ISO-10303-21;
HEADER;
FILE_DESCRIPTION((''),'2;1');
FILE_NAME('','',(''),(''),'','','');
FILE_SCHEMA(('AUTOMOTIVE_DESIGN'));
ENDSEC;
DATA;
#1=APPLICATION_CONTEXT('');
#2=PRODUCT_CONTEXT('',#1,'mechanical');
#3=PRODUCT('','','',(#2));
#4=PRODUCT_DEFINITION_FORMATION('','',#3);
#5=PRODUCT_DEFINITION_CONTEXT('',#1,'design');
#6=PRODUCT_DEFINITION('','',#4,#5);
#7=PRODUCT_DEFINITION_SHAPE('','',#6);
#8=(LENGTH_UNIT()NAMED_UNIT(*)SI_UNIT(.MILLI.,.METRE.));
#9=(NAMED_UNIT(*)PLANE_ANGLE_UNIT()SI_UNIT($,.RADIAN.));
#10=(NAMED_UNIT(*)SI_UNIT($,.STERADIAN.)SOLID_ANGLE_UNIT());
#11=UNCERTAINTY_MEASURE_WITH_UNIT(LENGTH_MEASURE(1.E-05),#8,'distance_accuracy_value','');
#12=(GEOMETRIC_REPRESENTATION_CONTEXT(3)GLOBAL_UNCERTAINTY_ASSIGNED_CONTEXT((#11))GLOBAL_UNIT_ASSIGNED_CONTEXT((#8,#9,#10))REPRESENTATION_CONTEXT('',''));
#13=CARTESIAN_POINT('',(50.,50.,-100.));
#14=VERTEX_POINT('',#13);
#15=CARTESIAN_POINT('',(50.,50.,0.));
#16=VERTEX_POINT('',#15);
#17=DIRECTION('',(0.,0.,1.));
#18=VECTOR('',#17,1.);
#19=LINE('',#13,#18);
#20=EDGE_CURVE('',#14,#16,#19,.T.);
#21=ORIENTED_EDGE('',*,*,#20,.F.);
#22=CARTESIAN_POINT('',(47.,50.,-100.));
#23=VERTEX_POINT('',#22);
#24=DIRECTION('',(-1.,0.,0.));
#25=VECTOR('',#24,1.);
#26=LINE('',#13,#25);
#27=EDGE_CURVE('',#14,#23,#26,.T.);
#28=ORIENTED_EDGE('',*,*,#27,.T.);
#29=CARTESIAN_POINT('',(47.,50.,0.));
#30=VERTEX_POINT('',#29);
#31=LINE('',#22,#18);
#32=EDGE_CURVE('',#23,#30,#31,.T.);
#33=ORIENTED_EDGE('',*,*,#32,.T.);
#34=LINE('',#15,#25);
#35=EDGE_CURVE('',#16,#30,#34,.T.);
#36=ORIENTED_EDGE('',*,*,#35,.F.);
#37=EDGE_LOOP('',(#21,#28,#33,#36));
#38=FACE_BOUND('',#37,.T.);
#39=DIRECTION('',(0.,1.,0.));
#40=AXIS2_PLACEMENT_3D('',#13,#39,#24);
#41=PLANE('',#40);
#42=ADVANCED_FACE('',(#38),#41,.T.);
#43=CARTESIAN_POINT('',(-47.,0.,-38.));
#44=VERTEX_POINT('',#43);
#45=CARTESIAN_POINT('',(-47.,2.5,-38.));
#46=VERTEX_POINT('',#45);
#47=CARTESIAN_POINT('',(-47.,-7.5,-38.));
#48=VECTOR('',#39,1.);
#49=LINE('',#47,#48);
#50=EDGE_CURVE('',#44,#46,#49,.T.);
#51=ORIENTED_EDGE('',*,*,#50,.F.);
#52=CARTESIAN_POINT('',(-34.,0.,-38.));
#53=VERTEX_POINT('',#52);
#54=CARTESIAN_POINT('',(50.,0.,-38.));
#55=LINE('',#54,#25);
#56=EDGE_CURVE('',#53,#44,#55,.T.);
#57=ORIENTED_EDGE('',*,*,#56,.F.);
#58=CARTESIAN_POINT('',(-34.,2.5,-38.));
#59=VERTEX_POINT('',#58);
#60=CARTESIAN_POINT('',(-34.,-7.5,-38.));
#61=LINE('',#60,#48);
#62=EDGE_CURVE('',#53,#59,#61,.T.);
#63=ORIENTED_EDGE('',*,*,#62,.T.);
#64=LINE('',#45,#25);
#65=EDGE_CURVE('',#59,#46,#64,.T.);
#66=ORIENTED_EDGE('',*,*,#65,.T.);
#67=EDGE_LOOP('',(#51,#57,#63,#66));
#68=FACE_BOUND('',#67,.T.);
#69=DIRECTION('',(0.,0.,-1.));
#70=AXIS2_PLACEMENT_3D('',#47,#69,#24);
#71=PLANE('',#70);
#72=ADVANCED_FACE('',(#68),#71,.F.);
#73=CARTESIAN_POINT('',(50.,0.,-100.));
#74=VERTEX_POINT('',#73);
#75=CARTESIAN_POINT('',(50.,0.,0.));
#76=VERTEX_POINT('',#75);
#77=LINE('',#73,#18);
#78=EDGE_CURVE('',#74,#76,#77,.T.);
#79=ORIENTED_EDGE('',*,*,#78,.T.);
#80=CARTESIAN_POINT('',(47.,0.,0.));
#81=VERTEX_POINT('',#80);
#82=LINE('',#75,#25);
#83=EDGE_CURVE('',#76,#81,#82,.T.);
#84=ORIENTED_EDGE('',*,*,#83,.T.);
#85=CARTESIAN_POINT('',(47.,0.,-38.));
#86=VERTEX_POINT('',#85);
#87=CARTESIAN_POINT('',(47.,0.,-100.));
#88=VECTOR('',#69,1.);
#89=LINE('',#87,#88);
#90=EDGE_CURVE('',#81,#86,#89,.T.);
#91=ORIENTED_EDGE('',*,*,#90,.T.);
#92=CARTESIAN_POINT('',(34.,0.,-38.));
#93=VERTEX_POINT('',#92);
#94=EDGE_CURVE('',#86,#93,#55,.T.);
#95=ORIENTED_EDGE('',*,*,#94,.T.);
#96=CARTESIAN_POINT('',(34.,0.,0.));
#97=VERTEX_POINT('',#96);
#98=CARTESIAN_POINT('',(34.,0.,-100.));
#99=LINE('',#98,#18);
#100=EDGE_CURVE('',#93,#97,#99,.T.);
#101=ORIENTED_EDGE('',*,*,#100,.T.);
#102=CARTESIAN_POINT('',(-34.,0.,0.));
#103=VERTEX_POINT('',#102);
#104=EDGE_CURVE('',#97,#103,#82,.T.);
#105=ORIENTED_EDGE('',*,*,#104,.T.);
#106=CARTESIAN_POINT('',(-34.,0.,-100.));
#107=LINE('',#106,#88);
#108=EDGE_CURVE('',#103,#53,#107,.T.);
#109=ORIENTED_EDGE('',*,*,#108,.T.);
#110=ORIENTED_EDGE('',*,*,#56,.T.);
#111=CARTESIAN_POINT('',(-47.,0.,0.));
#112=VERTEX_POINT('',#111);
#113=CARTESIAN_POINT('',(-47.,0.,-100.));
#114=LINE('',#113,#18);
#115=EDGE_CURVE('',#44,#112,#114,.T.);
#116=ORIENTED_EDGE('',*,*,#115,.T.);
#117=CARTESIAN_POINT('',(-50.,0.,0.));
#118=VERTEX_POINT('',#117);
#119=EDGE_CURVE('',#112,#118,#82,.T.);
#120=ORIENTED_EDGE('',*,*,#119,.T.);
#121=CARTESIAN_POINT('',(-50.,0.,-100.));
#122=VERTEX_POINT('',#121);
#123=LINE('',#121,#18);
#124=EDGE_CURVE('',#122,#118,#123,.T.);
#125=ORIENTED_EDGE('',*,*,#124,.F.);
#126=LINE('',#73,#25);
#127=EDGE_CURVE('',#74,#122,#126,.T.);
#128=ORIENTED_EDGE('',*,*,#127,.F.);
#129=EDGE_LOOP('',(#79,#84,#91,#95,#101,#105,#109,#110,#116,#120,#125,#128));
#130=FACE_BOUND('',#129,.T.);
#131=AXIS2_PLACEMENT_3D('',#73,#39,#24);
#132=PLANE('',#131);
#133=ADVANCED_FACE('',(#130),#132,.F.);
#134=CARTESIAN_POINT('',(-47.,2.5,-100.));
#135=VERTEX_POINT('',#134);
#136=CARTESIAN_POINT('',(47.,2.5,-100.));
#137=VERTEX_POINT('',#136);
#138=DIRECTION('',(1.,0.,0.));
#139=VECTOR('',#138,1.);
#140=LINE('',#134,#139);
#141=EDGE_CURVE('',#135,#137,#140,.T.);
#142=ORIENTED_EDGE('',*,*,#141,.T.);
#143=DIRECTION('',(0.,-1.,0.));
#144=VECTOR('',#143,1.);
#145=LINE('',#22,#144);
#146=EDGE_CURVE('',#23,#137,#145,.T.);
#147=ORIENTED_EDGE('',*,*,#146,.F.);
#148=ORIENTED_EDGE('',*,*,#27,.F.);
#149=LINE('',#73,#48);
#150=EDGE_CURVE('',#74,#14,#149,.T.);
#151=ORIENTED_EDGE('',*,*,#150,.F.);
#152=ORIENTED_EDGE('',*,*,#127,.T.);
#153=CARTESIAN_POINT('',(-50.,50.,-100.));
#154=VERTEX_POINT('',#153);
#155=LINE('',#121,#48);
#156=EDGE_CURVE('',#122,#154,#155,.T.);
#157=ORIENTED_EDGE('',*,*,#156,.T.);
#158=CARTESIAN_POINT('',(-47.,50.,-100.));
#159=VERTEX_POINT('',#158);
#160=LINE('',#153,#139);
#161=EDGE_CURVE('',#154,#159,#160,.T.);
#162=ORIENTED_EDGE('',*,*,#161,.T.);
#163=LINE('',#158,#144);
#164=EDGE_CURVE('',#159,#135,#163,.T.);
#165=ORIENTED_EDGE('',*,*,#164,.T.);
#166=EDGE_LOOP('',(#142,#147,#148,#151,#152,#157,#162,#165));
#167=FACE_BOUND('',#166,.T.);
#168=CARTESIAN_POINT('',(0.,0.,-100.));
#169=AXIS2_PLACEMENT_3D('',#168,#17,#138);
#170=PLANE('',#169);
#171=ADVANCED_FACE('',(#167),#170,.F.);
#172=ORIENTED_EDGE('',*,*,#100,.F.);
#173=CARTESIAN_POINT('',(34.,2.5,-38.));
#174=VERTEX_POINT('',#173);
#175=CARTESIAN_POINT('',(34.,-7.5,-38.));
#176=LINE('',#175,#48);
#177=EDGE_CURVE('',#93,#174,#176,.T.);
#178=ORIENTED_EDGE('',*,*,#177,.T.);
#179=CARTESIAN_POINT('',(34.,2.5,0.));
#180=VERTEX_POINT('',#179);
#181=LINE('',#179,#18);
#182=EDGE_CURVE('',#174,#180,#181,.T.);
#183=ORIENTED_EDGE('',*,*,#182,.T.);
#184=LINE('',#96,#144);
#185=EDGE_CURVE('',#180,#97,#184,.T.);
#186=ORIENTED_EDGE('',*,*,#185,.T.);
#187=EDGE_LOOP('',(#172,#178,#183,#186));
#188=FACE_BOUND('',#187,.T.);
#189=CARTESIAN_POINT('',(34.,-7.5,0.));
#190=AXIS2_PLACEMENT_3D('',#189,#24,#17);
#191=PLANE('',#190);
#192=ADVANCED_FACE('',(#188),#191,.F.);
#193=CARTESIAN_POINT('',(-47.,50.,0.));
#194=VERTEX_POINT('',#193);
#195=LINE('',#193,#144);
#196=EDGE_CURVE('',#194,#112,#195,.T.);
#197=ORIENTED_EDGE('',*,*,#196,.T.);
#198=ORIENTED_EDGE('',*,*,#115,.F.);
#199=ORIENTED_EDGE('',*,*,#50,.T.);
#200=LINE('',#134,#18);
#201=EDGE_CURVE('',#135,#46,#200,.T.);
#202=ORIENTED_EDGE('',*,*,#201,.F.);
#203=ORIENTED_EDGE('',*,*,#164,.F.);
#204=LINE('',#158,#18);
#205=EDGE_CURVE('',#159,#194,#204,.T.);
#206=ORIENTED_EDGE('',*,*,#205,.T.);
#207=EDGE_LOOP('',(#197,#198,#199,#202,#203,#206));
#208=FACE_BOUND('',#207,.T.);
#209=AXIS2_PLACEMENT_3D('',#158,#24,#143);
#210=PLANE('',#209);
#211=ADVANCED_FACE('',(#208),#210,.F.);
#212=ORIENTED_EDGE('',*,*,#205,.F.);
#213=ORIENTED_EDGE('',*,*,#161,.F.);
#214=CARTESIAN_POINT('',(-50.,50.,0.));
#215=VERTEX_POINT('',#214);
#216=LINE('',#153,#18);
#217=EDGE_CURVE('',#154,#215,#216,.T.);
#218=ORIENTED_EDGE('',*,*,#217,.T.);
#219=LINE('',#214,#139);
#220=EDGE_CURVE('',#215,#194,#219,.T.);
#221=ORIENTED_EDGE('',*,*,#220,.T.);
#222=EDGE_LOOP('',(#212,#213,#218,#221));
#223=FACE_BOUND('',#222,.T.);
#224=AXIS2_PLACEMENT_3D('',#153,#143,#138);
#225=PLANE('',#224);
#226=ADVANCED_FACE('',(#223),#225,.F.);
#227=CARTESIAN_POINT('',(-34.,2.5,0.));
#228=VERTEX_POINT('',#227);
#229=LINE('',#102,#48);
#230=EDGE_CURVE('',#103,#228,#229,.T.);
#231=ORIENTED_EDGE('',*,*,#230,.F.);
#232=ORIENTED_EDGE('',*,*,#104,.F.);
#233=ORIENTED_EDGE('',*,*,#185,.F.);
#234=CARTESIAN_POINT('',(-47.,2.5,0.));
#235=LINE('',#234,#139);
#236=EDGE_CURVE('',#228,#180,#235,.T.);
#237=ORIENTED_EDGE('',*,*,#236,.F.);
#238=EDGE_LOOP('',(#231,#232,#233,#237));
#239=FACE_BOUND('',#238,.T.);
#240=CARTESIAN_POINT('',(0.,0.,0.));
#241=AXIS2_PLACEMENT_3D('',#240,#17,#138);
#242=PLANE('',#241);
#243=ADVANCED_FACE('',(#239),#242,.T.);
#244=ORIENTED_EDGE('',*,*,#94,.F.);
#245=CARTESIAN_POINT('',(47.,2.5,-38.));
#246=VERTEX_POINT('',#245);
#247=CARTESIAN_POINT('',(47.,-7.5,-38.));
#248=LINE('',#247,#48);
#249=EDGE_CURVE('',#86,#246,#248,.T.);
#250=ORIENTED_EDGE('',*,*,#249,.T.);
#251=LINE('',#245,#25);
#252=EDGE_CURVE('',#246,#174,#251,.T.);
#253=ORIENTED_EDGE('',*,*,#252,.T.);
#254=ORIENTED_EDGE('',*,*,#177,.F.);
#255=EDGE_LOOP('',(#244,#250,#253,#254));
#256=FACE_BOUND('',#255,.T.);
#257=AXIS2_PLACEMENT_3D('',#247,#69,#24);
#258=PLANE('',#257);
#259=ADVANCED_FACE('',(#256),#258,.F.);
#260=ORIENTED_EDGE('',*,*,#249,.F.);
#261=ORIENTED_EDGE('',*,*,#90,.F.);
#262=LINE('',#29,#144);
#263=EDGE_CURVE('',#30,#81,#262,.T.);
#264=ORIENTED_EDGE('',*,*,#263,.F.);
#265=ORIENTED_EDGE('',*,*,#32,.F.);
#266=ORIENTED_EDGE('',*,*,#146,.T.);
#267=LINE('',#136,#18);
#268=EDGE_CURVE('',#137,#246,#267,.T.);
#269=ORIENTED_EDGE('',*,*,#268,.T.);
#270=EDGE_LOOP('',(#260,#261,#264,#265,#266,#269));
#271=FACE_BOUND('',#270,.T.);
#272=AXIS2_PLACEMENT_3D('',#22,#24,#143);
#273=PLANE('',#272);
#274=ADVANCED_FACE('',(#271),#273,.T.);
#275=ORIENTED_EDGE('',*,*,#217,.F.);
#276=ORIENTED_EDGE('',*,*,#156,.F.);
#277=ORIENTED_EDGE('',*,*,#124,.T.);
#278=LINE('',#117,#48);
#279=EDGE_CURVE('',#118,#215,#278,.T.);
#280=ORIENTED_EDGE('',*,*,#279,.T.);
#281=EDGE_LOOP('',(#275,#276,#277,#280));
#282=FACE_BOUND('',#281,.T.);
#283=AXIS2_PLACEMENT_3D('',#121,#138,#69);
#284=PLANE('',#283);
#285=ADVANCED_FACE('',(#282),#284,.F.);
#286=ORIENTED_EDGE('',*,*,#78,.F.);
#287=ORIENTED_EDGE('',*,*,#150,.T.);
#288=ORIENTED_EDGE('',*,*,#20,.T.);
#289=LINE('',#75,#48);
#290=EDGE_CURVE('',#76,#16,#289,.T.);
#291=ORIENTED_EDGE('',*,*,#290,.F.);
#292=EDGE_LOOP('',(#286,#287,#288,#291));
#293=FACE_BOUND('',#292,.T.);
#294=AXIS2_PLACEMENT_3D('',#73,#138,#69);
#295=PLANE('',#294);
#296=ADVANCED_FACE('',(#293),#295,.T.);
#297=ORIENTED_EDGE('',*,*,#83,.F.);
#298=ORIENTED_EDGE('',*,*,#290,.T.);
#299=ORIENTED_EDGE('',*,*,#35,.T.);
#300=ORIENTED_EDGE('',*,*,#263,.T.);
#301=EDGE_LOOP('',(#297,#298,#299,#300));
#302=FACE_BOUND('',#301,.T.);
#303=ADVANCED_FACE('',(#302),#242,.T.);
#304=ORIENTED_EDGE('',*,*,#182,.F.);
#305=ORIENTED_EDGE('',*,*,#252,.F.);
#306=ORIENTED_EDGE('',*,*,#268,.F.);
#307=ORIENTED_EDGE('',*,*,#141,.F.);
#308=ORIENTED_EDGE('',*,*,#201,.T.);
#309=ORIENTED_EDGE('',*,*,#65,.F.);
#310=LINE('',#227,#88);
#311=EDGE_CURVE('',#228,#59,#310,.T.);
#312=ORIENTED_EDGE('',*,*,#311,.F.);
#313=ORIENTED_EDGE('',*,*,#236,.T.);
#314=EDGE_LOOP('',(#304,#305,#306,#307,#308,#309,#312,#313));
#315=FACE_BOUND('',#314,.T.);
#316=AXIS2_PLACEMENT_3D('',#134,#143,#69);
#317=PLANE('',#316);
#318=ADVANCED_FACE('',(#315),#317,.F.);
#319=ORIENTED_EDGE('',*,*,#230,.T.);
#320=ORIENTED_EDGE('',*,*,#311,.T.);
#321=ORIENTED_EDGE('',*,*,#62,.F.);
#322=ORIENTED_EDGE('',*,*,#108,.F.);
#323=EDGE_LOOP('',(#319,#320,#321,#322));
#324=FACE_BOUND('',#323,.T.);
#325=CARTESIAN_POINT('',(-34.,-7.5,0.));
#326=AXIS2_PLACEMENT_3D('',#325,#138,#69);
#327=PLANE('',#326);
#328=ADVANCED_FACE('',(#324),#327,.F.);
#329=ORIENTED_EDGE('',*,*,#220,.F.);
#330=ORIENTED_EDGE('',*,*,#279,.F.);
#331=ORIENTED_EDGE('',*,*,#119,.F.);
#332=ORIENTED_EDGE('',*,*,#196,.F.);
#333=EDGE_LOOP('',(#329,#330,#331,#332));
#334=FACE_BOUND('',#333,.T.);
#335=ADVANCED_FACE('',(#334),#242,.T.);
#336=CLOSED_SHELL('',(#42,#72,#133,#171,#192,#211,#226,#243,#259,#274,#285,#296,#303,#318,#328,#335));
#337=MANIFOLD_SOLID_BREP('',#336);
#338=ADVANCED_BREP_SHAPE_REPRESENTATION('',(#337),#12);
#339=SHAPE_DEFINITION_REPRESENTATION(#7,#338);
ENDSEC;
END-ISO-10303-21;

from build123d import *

# Parameters (mm, degrees)
SALIENTE_EXTRUIR1_DEPTH = 100
CROQUIS2_W              = 13
CROQUIS2_H              = 38
CORTAR_EXTRUIR2_DEPTH   = 10


with BuildPart() as part:
    # Croquis1 → Saliente-Extruir1 (new body)
    with BuildSketch(Plane.XY):
        Polygon((50, 0), (-50, 0), (-50, 50), (-47, 50), (-47, 2.5), (47, 2.5), (47, 50), (50, 50), align=None)
    extrude(amount=-SALIENTE_EXTRUIR1_DEPTH)

    # Croquis2 → Cortar-Extruir2 (cut)
    with BuildSketch(Plane(origin=(0, 2.5, 0), x_dir=(1, 0, 0), z_dir=(0, 1, 0))):
        with Locations((-40.5, 19)):
            Rectangle(CROQUIS2_W, CROQUIS2_H)
        with Locations((40.5, 19)):
            Rectangle(CROQUIS2_W, CROQUIS2_H)
    extrude(amount=-CORTAR_EXTRUIR2_DEPTH, mode=Mode.SUBTRACT)


solid = part.part
